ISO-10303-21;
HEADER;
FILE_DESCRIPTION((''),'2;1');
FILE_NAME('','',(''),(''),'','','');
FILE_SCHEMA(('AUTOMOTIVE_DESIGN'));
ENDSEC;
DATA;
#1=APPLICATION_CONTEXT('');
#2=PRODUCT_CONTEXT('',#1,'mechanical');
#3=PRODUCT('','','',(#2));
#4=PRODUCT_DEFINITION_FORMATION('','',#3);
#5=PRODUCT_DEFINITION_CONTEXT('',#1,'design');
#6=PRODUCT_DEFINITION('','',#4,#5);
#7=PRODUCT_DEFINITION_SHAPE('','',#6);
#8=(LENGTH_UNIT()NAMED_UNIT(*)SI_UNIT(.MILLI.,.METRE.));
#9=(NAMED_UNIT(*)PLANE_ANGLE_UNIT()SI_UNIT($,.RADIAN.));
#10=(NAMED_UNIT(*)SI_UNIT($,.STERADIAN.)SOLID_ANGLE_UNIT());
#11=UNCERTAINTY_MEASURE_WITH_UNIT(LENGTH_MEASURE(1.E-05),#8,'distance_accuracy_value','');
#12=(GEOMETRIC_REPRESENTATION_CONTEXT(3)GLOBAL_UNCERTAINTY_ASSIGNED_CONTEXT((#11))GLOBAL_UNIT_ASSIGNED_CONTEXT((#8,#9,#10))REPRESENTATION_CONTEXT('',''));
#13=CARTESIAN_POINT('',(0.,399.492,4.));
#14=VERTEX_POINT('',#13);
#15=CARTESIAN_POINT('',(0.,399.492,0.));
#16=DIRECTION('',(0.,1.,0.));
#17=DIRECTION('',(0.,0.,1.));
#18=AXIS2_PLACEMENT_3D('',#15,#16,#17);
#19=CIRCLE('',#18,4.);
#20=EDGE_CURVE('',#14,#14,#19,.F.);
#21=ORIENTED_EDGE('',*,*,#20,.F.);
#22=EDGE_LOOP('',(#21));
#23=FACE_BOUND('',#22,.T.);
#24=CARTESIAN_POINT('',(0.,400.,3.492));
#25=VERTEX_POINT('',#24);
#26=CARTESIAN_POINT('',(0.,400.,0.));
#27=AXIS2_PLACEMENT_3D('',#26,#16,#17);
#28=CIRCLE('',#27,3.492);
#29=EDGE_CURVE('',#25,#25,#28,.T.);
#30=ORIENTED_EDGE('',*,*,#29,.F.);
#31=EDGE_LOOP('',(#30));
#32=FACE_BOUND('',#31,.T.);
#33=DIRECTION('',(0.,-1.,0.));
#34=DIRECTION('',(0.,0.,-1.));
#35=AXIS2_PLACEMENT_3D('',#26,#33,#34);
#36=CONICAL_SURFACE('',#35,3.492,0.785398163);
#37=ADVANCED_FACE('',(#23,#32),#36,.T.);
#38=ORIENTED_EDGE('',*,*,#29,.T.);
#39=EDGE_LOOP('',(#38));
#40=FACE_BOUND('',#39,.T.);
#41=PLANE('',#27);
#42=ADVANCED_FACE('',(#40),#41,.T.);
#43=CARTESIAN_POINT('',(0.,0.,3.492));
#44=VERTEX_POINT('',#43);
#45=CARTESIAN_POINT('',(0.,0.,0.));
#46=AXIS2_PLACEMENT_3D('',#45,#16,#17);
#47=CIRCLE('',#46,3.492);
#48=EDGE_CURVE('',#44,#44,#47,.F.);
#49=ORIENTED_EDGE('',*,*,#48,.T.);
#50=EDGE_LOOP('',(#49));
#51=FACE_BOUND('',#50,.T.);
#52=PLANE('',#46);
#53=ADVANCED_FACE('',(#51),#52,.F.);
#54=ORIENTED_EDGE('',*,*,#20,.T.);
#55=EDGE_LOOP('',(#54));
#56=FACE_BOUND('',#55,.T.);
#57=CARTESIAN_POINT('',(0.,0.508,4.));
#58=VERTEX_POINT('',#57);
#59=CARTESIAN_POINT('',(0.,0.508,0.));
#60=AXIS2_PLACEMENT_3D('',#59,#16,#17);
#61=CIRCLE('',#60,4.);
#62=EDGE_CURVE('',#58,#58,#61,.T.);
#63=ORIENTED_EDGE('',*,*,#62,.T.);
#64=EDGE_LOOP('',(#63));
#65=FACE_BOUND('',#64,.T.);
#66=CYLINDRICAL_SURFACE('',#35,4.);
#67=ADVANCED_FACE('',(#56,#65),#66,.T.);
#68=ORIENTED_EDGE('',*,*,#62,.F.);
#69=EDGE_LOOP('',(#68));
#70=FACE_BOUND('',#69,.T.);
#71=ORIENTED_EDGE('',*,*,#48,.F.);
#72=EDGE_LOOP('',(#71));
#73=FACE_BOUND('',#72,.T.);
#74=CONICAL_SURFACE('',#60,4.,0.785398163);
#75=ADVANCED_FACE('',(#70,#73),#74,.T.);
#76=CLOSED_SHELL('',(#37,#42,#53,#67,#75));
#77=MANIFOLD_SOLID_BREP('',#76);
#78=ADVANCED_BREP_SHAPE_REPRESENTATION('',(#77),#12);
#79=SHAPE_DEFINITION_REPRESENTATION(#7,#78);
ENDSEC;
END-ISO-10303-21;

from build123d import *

# Parameters (mm, degrees)
SKETCH1_R           = 4
BOSS_EXTRUDE1_DEPTH = 400
CHAMFER1_SIZE       = 0.508


with BuildPart() as part:
    # Sketch1 → Boss-Extrude1 (new body)
    with BuildSketch(Plane(origin=(0, 0, 0), x_dir=(1, 0, 0), z_dir=(0, 1, 0))):
        Circle(SKETCH1_R)
    extrude(amount=BOSS_EXTRUDE1_DEPTH)

    # Chamfer1
    chamfer1_edges = [part.edges().sort_by_distance(p)[0] for p in [
        (-4, 0, 0),
        (-4, 400, 0),
    ]]
    chamfer(chamfer1_edges, length=CHAMFER1_SIZE)


solid = part.part
